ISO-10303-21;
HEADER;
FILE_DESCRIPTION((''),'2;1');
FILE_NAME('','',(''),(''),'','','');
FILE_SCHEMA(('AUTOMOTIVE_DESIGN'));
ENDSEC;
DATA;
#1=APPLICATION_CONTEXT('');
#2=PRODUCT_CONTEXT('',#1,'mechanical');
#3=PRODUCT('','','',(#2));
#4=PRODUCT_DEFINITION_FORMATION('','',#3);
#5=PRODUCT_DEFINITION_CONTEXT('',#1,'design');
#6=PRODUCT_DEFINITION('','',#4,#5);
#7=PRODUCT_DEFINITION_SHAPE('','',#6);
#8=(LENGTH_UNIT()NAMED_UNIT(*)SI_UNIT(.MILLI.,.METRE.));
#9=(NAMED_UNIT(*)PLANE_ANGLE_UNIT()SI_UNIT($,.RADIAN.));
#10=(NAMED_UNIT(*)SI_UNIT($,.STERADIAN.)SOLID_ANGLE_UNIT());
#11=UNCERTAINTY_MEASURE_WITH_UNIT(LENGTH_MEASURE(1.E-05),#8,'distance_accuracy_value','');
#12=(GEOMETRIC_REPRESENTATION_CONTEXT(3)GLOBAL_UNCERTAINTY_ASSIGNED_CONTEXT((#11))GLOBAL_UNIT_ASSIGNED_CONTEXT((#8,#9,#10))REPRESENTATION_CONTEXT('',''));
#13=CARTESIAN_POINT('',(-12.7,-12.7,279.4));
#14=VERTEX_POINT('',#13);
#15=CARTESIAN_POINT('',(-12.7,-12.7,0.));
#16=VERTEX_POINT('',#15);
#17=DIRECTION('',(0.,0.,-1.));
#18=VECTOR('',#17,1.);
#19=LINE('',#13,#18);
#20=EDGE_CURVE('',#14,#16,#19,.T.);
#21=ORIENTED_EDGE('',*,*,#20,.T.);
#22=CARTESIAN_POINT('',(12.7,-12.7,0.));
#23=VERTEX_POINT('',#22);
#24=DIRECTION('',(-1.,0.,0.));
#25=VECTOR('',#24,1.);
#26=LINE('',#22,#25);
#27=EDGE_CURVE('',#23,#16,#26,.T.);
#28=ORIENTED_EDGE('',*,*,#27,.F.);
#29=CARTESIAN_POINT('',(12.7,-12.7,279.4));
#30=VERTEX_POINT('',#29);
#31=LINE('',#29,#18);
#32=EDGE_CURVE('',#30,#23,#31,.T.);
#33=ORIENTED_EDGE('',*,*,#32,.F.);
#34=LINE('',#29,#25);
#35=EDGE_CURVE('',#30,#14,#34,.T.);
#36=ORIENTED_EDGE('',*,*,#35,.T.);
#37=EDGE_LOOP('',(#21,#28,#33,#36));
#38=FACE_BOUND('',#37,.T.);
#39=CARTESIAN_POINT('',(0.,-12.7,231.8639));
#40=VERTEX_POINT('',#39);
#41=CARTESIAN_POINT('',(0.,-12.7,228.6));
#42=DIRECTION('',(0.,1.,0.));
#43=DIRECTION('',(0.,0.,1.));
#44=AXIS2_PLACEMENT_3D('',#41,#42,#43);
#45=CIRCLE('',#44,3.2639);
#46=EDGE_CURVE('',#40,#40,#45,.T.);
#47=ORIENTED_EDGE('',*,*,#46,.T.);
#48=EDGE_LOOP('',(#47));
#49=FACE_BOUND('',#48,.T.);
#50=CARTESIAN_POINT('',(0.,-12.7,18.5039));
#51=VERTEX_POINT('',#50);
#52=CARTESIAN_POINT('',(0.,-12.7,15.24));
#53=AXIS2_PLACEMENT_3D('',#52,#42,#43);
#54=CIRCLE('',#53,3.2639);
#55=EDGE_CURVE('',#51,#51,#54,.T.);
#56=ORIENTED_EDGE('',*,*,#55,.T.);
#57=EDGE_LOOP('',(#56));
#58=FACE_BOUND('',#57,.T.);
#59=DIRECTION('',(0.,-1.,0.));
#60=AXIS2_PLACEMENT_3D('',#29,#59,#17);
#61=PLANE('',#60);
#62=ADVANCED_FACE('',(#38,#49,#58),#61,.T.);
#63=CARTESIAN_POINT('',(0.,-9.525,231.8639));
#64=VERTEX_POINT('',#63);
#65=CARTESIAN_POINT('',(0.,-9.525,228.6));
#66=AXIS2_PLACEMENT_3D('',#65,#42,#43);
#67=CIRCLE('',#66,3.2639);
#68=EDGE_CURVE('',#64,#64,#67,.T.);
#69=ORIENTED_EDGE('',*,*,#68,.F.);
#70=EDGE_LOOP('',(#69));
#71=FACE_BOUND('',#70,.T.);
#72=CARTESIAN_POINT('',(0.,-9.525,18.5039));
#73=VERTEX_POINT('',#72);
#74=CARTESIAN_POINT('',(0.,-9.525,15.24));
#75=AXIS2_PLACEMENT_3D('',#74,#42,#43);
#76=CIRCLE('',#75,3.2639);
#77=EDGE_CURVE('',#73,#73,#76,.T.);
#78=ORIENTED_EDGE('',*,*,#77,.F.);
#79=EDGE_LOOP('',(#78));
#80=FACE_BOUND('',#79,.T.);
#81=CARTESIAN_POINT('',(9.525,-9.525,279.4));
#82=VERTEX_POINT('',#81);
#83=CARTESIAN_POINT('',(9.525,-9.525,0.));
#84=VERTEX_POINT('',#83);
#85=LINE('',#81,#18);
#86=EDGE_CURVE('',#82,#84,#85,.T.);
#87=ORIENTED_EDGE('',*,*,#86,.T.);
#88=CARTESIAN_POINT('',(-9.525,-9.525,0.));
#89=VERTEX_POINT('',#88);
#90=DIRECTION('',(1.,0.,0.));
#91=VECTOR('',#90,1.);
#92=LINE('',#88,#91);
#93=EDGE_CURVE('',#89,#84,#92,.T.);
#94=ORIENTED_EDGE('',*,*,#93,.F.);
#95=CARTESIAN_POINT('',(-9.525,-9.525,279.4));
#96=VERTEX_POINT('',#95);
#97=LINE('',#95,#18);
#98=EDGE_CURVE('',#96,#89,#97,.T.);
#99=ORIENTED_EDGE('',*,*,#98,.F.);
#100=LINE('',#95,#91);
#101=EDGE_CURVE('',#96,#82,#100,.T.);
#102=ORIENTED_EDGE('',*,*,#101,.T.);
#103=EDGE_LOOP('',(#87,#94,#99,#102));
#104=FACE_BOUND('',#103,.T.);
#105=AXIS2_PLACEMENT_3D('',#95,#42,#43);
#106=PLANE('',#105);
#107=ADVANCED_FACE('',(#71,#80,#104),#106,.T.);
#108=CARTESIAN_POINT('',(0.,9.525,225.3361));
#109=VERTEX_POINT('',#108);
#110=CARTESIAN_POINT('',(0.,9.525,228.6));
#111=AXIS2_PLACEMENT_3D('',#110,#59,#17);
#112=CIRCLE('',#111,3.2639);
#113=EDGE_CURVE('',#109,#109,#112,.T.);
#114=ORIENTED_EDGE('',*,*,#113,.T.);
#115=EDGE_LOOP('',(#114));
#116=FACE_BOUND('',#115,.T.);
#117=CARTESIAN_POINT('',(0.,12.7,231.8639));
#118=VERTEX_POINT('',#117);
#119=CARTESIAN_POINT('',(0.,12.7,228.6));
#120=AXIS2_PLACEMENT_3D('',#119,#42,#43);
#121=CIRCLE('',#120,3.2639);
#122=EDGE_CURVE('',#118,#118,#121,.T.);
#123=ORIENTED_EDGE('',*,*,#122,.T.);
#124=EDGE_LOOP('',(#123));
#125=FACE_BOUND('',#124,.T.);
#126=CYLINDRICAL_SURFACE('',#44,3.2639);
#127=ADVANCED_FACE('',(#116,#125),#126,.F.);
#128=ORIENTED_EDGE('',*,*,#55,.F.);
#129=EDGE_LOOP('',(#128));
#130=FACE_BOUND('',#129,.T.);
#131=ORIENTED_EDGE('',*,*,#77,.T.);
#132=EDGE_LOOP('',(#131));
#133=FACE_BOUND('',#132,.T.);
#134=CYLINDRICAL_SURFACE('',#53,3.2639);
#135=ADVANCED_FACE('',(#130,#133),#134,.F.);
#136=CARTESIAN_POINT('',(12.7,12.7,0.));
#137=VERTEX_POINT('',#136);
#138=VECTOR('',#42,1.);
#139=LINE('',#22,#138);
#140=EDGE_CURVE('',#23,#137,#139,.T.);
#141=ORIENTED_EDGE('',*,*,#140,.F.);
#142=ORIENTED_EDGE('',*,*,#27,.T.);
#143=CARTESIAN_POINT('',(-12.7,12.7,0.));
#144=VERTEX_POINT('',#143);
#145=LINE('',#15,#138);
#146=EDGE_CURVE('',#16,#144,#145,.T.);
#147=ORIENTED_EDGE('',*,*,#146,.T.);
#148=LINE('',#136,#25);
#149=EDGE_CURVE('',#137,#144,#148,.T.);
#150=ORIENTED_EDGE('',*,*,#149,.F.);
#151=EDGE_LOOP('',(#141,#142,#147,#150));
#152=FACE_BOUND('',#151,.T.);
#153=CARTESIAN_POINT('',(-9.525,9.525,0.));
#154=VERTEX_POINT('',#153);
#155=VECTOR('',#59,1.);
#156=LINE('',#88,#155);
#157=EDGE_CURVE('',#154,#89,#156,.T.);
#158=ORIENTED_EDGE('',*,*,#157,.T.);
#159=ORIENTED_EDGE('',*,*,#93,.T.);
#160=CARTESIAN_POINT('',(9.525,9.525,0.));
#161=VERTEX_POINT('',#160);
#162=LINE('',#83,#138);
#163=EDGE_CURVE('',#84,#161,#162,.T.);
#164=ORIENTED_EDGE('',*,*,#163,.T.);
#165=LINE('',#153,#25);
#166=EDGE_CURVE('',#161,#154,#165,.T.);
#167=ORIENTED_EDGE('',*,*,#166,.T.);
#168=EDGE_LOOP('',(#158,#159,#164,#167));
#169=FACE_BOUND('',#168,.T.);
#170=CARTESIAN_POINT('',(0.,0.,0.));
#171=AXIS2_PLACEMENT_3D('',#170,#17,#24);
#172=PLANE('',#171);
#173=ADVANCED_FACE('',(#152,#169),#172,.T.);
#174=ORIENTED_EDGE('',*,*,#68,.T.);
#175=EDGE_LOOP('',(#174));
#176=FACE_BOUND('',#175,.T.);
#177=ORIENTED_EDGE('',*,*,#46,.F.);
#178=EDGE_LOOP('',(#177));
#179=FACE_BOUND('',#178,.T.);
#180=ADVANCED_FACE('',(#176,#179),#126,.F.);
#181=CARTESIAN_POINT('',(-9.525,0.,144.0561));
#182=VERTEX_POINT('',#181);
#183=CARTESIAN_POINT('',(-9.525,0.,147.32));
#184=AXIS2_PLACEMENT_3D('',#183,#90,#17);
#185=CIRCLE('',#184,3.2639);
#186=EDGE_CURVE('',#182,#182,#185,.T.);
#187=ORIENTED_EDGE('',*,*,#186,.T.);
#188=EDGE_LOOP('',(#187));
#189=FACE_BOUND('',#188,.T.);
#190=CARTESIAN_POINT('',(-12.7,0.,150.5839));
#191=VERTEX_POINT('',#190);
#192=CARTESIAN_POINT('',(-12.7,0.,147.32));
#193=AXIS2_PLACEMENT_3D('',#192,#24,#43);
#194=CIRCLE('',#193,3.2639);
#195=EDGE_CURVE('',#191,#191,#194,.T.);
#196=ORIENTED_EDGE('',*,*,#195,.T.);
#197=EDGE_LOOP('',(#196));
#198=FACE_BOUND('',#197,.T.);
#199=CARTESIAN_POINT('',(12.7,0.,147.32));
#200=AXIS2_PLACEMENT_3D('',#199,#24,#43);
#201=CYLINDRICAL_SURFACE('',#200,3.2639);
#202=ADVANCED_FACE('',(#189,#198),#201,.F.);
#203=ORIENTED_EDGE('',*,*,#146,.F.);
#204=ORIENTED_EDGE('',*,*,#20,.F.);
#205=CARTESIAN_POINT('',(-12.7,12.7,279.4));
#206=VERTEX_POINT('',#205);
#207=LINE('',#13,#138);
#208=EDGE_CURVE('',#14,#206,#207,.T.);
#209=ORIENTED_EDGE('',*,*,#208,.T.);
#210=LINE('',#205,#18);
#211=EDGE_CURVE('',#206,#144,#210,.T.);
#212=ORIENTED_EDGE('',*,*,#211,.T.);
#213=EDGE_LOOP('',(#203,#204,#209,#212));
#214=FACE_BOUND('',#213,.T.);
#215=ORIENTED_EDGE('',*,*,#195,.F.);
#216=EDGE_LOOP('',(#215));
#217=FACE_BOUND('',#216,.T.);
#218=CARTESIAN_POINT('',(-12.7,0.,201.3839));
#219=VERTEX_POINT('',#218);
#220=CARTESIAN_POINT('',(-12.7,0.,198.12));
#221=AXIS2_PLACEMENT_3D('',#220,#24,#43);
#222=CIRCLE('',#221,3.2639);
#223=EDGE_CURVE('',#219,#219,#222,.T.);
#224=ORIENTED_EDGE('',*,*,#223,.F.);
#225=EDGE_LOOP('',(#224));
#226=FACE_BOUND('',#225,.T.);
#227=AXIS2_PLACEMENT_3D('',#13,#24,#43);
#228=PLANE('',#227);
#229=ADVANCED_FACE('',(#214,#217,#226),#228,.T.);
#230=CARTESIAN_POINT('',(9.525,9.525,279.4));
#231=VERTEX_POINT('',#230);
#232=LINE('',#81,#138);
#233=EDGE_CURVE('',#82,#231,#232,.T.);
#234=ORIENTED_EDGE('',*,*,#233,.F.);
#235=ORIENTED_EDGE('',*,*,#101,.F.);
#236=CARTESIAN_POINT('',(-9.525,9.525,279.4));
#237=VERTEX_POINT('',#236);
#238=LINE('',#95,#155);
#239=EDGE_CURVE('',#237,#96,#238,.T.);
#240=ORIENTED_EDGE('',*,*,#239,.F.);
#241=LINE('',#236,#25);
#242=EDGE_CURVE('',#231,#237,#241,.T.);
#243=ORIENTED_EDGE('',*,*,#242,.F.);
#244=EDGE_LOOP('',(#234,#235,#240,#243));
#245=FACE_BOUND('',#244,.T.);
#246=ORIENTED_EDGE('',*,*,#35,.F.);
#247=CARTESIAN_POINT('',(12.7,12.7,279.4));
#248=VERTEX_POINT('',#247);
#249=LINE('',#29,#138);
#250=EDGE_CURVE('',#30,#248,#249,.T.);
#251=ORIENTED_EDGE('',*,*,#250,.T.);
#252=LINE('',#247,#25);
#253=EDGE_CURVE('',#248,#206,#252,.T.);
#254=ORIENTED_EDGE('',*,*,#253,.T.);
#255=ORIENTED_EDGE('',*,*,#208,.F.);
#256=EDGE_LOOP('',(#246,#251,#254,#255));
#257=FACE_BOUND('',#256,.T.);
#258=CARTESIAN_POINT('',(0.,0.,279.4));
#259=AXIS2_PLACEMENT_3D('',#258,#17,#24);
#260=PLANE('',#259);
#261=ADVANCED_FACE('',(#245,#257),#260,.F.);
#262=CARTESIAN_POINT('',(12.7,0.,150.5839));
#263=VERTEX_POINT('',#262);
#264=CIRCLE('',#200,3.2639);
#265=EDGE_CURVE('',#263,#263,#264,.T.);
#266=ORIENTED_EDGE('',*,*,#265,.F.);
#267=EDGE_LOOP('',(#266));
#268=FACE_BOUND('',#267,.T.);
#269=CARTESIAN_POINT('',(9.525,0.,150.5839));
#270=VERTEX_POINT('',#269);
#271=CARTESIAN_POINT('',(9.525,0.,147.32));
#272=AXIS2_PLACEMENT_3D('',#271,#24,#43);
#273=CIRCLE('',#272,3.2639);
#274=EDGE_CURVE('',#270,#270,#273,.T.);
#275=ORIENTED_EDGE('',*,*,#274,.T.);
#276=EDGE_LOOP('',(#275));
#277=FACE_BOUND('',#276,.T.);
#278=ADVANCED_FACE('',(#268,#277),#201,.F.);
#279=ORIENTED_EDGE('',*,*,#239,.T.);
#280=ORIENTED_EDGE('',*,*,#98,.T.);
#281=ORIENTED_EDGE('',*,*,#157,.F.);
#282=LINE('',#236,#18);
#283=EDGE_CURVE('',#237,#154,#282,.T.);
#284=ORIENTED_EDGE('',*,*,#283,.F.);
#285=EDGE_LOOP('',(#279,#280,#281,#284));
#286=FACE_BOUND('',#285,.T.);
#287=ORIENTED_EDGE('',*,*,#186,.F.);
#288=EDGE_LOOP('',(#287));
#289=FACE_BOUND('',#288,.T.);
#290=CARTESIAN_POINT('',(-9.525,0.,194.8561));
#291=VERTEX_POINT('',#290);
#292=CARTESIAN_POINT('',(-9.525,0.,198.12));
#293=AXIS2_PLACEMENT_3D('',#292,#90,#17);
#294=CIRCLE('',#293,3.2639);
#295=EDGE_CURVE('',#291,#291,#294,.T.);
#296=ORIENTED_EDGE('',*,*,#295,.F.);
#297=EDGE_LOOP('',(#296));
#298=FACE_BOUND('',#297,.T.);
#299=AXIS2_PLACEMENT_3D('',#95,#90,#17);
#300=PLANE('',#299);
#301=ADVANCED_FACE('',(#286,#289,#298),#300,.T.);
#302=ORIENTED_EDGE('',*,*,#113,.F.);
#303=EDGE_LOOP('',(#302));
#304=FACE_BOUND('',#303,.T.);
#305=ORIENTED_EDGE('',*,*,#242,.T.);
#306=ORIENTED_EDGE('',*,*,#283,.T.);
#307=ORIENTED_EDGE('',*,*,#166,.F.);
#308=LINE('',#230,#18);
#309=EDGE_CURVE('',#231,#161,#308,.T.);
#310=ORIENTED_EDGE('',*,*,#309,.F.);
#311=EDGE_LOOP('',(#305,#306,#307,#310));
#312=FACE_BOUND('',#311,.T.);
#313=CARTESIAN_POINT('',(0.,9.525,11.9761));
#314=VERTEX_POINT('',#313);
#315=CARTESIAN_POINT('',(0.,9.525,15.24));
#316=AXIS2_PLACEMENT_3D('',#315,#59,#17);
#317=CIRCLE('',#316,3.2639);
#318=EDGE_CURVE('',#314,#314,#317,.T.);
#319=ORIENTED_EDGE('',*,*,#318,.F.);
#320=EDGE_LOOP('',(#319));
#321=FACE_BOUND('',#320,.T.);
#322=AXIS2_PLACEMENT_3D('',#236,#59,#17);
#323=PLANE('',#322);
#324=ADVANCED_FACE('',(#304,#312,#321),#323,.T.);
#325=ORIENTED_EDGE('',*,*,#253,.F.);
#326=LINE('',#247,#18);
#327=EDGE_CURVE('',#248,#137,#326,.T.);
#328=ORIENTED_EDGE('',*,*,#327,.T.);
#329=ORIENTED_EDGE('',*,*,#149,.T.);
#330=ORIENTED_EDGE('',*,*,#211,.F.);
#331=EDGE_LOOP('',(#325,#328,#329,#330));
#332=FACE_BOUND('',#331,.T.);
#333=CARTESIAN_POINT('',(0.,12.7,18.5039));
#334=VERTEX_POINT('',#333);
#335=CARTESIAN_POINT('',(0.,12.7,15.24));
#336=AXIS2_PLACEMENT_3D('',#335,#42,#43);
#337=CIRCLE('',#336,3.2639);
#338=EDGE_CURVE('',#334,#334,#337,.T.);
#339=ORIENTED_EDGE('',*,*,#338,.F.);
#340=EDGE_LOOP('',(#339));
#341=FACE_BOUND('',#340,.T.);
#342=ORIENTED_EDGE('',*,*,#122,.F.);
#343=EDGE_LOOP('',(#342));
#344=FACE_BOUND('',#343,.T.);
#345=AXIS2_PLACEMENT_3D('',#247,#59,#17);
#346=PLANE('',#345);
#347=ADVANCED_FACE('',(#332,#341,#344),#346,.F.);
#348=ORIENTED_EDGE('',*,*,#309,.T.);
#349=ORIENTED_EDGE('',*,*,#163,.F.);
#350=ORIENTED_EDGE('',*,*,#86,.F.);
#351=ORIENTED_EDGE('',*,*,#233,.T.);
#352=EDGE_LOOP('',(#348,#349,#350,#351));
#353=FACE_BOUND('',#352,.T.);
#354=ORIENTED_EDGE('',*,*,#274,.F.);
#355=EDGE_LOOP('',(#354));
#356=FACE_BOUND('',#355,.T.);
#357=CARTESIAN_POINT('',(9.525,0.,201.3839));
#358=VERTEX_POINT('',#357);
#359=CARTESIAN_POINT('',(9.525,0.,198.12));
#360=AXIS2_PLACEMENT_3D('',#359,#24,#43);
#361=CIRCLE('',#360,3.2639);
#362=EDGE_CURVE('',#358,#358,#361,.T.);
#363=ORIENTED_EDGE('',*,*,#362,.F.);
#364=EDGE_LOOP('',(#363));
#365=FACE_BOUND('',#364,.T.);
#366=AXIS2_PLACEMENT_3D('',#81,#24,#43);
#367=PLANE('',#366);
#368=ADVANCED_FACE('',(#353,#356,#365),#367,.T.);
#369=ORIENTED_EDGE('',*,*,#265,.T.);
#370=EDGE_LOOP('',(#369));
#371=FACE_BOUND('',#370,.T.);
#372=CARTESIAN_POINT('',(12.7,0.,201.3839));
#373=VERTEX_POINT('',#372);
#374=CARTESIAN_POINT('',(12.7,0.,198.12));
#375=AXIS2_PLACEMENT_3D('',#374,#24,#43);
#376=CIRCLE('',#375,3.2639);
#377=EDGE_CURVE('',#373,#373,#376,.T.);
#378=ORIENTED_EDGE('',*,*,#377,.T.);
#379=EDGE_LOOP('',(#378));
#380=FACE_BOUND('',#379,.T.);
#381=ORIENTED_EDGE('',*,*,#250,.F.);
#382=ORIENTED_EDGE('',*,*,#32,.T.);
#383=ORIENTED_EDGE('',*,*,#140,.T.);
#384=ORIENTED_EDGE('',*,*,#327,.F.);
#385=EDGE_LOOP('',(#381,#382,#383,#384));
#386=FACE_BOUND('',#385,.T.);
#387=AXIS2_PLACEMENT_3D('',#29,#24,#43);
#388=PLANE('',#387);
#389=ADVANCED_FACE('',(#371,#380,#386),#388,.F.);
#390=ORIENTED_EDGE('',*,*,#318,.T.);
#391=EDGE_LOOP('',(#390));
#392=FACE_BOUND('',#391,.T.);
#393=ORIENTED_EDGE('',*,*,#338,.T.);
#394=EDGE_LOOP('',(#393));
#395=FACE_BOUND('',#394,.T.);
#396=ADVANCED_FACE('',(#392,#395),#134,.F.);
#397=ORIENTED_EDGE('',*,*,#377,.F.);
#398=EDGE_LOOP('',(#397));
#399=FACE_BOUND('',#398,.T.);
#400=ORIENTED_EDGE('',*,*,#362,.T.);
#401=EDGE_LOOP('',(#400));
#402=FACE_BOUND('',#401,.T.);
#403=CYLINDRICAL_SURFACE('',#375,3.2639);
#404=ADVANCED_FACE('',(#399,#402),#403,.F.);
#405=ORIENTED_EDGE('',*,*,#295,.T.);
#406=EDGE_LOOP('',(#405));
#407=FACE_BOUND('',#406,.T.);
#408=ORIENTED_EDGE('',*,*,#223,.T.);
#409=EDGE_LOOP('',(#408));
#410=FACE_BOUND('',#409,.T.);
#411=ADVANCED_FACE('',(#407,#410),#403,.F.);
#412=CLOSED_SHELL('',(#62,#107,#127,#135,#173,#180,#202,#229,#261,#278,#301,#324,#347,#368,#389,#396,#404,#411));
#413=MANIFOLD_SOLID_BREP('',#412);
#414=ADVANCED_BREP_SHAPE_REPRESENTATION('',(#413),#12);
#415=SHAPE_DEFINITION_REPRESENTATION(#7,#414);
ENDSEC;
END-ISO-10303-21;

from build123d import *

# Parameters (mm, degrees)
SKETCH2_W           = 25.4
SKETCH2_H           = 25.4
BOSS_EXTRUDE1_DEPTH = 279.4
SKETCH4_W           = 19.05
SKETCH4_H           = 19.05
CUT_EXTRUDE1_DEPTH  = 280.9766776
SKETCH5_R           = 3.2639
CUT_EXTRUDE2_DEPTH  = 281.839473721
SKETCH6_R           = 3.2639
CUT_EXTRUDE3_DEPTH  = 281.839473721
SKETCH8_R           = 3.2639
CUT_EXTRUDE5_DEPTH  = 281.839473721


with BuildPart() as part:
    # Sketch2 → Boss-Extrude1 (new body)
    with BuildSketch(Plane.XY):
        Rectangle(SKETCH2_W, SKETCH2_H)
    extrude(amount=BOSS_EXTRUDE1_DEPTH)

    # Sketch4 → Cut-Extrude1 (cut, through all)
    with BuildSketch(Plane.XY):
        Rectangle(SKETCH4_W, SKETCH4_H)
    extrude(amount=CUT_EXTRUDE1_DEPTH, mode=Mode.SUBTRACT)

    # Sketch5 → Cut-Extrude2 (cut, through all)
    with BuildSketch(Plane(origin=(0, 12.7, 0), x_dir=(1, 0, 0), z_dir=(0, 1, 0))):
        with Locations(Location((0, -15.24, 0), (0, 0, 270))):
            Circle(SKETCH5_R)
    extrude(amount=-CUT_EXTRUDE2_DEPTH, mode=Mode.SUBTRACT)

    # Sketch6 → Cut-Extrude3 (cut, through all)
    with BuildSketch(Plane(origin=(0, 12.7, 0), x_dir=(1, 0, 0), z_dir=(0, 1, 0))):
        with Locations(Location((0, -228.6, 0), (0, 0, 270))):
            Circle(SKETCH6_R)
    extrude(amount=-CUT_EXTRUDE3_DEPTH, mode=Mode.SUBTRACT)

    # Sketch8 → Cut-Extrude5 (cut, through all)
    with BuildSketch(Plane.ZY.offset(12.7)):
        with Locations((198.12, 0)):
            Circle(SKETCH8_R)
        with Locations((147.32, 0)):
            Circle(SKETCH8_R)
    extrude(amount=-CUT_EXTRUDE5_DEPTH, mode=Mode.SUBTRACT)


solid = part.part
